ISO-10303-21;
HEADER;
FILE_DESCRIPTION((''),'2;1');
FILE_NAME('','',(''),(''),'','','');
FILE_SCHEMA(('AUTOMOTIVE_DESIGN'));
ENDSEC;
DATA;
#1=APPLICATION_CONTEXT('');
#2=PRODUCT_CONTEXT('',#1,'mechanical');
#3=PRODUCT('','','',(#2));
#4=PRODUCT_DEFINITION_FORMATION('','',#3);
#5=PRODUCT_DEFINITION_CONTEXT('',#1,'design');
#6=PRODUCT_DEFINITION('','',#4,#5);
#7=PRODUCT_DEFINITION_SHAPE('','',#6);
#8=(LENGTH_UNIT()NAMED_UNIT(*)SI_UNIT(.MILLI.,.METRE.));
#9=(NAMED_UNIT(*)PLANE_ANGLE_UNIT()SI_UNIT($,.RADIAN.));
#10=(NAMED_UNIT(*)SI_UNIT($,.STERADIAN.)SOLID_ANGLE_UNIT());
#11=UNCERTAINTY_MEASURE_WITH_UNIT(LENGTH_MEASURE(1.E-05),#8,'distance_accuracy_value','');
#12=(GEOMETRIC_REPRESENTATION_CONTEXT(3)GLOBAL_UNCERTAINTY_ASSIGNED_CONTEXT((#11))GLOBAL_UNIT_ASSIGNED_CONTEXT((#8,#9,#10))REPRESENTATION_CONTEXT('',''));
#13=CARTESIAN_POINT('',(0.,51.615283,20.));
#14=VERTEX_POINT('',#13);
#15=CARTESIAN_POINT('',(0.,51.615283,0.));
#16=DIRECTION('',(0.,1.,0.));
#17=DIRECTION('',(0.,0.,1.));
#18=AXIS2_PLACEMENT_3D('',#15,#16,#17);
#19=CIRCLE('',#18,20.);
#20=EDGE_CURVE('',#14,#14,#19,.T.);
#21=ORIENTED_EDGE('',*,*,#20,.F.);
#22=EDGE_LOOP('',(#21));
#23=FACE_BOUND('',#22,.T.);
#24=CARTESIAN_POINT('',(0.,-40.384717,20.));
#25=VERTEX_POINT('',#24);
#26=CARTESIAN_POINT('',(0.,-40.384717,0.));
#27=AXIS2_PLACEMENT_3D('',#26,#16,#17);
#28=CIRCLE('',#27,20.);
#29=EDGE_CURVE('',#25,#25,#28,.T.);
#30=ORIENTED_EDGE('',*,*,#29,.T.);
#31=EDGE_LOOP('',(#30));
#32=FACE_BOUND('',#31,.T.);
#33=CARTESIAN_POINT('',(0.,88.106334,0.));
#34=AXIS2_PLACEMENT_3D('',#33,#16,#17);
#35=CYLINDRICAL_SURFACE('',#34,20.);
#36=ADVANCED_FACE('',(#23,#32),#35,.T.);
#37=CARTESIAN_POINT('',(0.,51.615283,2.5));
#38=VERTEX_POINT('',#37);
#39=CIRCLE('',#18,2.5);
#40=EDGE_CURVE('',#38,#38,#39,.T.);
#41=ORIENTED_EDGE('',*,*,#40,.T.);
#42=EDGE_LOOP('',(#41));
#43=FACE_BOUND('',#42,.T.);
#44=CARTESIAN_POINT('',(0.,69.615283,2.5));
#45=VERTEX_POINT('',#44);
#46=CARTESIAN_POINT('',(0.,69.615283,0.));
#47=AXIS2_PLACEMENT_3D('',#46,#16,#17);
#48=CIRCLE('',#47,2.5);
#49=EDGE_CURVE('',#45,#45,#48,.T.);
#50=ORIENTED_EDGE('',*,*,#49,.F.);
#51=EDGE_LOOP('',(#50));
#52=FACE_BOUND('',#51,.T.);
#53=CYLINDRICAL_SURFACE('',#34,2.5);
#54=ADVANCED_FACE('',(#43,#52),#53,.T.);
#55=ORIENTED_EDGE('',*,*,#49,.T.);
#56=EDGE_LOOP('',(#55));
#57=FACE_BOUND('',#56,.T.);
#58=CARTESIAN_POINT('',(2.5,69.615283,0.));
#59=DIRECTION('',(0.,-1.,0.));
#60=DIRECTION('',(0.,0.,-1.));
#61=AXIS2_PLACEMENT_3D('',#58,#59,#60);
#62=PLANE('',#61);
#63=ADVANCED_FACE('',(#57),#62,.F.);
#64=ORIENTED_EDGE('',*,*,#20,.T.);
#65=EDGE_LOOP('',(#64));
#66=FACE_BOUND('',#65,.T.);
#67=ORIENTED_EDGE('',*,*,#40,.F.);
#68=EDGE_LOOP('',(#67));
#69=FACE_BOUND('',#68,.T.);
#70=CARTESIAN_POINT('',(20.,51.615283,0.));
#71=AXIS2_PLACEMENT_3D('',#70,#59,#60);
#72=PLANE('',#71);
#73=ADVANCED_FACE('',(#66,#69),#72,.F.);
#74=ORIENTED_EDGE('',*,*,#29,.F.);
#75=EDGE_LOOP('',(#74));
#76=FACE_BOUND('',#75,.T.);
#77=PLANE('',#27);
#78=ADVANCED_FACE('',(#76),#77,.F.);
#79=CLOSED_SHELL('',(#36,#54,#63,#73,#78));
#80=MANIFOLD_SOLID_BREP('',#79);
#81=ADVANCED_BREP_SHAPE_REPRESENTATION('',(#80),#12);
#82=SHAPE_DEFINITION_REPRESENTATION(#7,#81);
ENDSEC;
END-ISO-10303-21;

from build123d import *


with BuildPart() as part:
    # Sketch4 → Revolve1 (revolve)
    with BuildSketch(Plane.XY, mode=Mode.PRIVATE) as revolve1_sk:
        Polygon((0, -40.384716544), (20, -40.384716544), (20, 51.615283456), (2.5, 51.615283456), (2.5, 69.615283456), (0, 69.615283456), align=None)
    revolve(revolve1_sk.sketch.rotate(Axis((0, 88.106333556, 0), (0, -1, 0)), 90), axis=Axis((0, 88.106333556, 0), (0, -1, 0)))


solid = part.part
